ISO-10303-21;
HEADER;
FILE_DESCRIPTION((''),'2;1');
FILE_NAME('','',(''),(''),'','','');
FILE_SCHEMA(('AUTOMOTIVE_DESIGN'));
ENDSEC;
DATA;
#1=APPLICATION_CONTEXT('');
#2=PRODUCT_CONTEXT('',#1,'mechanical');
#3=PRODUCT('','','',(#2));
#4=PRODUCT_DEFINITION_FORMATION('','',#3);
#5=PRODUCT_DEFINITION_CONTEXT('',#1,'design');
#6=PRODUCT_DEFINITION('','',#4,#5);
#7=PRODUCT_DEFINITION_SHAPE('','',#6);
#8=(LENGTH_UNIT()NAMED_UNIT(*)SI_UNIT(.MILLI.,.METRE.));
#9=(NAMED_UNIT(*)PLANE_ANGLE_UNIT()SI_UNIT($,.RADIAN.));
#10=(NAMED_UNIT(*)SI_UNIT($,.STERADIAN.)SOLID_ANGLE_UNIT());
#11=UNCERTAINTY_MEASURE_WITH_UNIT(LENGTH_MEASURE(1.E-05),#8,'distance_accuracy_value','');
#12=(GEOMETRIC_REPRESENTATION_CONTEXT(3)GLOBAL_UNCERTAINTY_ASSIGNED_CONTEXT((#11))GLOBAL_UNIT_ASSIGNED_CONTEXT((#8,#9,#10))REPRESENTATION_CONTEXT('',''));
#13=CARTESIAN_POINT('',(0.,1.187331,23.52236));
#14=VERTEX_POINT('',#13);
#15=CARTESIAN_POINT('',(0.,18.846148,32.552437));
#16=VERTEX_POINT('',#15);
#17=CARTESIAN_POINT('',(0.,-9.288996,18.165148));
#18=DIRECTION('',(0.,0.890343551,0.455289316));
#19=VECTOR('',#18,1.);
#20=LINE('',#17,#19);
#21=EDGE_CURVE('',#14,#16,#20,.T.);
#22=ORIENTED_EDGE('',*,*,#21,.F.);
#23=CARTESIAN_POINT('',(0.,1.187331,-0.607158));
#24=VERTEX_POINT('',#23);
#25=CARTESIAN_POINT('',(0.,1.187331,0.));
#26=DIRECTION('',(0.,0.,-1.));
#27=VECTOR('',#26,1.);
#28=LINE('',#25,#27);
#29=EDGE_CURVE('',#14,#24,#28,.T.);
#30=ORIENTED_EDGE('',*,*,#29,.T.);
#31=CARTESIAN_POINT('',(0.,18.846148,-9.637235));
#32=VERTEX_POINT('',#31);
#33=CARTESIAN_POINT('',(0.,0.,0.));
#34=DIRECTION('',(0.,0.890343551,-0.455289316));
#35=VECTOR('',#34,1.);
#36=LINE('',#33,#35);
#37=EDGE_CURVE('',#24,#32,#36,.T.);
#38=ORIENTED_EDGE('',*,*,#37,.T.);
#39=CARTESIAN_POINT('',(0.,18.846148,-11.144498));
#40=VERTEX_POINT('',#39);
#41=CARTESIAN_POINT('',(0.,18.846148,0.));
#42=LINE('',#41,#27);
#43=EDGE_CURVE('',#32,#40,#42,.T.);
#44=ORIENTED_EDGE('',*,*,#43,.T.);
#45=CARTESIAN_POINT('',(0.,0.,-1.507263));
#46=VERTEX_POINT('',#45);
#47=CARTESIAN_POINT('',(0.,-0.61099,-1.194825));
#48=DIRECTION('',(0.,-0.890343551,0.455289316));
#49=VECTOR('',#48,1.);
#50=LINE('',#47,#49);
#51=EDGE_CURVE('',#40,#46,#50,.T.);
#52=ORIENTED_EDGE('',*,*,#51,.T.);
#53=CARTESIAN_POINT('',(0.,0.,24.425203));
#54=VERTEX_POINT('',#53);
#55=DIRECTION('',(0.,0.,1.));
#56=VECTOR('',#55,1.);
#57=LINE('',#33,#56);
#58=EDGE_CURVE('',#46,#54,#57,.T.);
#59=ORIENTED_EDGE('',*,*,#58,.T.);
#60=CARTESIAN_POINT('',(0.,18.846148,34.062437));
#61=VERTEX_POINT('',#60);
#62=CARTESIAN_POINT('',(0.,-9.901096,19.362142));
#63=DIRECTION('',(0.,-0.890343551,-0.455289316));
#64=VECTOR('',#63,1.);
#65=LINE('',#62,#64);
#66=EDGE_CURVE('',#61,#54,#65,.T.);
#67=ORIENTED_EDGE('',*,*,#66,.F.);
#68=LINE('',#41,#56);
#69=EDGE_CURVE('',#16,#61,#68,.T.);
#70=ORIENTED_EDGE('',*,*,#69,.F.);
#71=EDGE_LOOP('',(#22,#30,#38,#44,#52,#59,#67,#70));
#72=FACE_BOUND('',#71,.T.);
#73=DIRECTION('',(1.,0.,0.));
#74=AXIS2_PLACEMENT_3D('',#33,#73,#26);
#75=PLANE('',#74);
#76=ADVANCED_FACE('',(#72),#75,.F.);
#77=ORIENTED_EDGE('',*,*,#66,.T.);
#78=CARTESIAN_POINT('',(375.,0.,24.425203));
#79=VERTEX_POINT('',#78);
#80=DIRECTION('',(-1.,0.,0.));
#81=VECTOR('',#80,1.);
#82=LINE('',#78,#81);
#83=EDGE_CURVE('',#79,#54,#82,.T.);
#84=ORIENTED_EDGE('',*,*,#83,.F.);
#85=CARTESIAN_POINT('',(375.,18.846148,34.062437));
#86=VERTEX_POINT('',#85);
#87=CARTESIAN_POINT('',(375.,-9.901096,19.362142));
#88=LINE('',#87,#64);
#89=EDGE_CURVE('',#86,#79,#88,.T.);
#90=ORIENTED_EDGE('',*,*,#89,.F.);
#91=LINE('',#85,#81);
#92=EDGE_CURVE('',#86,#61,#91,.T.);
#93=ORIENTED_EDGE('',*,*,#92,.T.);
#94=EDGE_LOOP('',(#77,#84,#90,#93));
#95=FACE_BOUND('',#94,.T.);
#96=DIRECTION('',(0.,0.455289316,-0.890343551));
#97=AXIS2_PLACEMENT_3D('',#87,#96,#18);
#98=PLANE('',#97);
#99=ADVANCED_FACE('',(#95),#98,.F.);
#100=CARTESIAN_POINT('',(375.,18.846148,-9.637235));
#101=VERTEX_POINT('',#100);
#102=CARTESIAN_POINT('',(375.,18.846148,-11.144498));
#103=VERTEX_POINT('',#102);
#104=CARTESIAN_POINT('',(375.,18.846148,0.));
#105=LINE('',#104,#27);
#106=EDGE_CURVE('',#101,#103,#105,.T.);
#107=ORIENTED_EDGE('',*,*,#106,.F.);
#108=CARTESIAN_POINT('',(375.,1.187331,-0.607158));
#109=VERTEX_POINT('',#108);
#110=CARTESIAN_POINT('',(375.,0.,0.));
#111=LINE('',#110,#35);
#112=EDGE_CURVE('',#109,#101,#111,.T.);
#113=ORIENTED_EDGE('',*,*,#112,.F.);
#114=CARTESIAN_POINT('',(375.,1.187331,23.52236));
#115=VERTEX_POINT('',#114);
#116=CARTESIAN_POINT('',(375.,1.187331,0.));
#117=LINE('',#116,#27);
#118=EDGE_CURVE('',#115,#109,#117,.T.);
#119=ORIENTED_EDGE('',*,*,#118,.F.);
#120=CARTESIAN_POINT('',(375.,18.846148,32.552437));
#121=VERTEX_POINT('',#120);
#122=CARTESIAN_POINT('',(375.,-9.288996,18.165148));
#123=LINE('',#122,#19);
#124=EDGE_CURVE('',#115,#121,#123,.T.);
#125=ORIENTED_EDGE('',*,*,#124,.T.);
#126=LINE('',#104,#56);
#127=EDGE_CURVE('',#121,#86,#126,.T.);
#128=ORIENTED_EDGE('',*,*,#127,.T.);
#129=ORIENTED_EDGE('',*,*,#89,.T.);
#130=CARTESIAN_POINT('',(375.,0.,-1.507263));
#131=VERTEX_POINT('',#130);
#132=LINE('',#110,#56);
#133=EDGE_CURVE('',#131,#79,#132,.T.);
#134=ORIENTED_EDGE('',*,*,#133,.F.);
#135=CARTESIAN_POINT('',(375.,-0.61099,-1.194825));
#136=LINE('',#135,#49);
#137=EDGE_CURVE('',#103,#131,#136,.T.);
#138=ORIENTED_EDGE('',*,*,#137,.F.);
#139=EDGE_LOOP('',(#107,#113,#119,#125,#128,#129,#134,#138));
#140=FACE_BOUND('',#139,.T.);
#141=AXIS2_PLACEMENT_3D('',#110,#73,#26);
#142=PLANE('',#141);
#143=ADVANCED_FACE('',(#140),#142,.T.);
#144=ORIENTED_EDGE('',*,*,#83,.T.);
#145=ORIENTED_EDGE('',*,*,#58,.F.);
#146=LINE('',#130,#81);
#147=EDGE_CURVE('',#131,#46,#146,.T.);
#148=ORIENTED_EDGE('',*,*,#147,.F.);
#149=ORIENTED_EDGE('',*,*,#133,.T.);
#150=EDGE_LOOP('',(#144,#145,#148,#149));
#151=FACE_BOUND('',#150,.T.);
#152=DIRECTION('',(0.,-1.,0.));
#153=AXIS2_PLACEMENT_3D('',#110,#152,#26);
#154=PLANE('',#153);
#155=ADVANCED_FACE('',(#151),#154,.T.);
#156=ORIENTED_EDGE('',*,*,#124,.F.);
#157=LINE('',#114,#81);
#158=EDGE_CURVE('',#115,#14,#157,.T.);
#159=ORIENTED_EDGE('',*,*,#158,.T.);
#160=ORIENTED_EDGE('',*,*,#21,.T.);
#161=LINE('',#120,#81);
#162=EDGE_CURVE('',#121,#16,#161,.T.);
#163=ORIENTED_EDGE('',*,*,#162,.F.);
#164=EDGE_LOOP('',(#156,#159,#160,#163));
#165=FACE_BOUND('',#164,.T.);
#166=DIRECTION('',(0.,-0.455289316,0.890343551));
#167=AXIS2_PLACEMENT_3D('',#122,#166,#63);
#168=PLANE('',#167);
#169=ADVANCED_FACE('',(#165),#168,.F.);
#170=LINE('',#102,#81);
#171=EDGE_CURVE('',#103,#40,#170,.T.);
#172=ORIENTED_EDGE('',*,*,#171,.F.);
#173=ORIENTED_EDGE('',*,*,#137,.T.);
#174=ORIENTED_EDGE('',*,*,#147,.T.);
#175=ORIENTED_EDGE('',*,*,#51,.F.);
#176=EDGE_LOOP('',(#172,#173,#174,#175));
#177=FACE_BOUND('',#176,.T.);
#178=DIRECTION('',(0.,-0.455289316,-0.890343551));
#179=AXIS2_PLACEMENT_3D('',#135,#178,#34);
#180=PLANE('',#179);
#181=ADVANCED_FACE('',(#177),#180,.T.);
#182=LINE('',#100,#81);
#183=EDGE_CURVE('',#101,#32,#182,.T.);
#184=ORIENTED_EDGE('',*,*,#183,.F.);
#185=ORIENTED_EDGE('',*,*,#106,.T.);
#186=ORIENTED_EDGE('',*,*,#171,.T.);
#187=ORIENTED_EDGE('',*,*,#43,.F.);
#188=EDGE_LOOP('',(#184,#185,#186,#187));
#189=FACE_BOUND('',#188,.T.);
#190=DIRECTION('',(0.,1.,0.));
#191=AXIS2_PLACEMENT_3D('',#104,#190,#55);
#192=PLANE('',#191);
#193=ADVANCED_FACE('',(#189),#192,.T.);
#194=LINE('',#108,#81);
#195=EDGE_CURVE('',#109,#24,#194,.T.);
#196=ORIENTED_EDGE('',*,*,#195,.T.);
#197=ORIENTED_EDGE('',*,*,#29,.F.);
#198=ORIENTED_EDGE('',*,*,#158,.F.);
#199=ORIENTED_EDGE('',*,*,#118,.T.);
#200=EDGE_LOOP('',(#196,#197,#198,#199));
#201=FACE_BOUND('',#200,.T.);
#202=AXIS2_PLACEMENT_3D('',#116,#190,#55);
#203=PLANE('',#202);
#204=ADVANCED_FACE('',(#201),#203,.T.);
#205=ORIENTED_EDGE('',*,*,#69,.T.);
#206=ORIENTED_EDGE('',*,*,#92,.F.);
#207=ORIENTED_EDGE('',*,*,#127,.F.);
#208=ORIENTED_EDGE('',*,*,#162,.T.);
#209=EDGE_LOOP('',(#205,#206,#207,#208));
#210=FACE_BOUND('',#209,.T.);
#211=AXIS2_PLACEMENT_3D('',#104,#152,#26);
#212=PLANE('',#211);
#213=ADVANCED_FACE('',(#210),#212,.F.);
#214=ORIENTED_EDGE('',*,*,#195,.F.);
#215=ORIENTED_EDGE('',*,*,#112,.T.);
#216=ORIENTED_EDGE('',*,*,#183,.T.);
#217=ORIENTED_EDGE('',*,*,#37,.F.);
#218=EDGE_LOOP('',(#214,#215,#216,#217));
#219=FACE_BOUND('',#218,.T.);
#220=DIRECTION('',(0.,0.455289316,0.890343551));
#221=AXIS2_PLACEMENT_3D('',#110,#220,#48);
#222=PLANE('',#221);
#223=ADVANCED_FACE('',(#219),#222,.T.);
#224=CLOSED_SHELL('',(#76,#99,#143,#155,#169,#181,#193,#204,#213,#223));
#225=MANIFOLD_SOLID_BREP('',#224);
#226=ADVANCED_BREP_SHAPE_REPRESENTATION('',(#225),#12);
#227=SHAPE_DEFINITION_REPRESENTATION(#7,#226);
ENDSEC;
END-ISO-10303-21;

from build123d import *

# Parameters (mm, degrees)
BOSS_EXTRUDE1_DEPTH = 375


with BuildPart() as part:
    # Sketch1 → Boss-Extrude1 (new body)
    with BuildSketch(Plane(origin=(0, 0, 0), x_dir=(0, 0, -1), z_dir=(1, 0, 0))):
        Polygon((1.507263275, 0), (11.144498003, 18.846147913), (9.637234728, 18.846147913), (0.607157722, 1.187330657), (-23.522360298, 1.187330657), (-32.552437304, 18.846147913), (-34.062437304, 18.846147913), (-24.425202576, 0), align=None)
    extrude(amount=BOSS_EXTRUDE1_DEPTH)


solid = part.part
